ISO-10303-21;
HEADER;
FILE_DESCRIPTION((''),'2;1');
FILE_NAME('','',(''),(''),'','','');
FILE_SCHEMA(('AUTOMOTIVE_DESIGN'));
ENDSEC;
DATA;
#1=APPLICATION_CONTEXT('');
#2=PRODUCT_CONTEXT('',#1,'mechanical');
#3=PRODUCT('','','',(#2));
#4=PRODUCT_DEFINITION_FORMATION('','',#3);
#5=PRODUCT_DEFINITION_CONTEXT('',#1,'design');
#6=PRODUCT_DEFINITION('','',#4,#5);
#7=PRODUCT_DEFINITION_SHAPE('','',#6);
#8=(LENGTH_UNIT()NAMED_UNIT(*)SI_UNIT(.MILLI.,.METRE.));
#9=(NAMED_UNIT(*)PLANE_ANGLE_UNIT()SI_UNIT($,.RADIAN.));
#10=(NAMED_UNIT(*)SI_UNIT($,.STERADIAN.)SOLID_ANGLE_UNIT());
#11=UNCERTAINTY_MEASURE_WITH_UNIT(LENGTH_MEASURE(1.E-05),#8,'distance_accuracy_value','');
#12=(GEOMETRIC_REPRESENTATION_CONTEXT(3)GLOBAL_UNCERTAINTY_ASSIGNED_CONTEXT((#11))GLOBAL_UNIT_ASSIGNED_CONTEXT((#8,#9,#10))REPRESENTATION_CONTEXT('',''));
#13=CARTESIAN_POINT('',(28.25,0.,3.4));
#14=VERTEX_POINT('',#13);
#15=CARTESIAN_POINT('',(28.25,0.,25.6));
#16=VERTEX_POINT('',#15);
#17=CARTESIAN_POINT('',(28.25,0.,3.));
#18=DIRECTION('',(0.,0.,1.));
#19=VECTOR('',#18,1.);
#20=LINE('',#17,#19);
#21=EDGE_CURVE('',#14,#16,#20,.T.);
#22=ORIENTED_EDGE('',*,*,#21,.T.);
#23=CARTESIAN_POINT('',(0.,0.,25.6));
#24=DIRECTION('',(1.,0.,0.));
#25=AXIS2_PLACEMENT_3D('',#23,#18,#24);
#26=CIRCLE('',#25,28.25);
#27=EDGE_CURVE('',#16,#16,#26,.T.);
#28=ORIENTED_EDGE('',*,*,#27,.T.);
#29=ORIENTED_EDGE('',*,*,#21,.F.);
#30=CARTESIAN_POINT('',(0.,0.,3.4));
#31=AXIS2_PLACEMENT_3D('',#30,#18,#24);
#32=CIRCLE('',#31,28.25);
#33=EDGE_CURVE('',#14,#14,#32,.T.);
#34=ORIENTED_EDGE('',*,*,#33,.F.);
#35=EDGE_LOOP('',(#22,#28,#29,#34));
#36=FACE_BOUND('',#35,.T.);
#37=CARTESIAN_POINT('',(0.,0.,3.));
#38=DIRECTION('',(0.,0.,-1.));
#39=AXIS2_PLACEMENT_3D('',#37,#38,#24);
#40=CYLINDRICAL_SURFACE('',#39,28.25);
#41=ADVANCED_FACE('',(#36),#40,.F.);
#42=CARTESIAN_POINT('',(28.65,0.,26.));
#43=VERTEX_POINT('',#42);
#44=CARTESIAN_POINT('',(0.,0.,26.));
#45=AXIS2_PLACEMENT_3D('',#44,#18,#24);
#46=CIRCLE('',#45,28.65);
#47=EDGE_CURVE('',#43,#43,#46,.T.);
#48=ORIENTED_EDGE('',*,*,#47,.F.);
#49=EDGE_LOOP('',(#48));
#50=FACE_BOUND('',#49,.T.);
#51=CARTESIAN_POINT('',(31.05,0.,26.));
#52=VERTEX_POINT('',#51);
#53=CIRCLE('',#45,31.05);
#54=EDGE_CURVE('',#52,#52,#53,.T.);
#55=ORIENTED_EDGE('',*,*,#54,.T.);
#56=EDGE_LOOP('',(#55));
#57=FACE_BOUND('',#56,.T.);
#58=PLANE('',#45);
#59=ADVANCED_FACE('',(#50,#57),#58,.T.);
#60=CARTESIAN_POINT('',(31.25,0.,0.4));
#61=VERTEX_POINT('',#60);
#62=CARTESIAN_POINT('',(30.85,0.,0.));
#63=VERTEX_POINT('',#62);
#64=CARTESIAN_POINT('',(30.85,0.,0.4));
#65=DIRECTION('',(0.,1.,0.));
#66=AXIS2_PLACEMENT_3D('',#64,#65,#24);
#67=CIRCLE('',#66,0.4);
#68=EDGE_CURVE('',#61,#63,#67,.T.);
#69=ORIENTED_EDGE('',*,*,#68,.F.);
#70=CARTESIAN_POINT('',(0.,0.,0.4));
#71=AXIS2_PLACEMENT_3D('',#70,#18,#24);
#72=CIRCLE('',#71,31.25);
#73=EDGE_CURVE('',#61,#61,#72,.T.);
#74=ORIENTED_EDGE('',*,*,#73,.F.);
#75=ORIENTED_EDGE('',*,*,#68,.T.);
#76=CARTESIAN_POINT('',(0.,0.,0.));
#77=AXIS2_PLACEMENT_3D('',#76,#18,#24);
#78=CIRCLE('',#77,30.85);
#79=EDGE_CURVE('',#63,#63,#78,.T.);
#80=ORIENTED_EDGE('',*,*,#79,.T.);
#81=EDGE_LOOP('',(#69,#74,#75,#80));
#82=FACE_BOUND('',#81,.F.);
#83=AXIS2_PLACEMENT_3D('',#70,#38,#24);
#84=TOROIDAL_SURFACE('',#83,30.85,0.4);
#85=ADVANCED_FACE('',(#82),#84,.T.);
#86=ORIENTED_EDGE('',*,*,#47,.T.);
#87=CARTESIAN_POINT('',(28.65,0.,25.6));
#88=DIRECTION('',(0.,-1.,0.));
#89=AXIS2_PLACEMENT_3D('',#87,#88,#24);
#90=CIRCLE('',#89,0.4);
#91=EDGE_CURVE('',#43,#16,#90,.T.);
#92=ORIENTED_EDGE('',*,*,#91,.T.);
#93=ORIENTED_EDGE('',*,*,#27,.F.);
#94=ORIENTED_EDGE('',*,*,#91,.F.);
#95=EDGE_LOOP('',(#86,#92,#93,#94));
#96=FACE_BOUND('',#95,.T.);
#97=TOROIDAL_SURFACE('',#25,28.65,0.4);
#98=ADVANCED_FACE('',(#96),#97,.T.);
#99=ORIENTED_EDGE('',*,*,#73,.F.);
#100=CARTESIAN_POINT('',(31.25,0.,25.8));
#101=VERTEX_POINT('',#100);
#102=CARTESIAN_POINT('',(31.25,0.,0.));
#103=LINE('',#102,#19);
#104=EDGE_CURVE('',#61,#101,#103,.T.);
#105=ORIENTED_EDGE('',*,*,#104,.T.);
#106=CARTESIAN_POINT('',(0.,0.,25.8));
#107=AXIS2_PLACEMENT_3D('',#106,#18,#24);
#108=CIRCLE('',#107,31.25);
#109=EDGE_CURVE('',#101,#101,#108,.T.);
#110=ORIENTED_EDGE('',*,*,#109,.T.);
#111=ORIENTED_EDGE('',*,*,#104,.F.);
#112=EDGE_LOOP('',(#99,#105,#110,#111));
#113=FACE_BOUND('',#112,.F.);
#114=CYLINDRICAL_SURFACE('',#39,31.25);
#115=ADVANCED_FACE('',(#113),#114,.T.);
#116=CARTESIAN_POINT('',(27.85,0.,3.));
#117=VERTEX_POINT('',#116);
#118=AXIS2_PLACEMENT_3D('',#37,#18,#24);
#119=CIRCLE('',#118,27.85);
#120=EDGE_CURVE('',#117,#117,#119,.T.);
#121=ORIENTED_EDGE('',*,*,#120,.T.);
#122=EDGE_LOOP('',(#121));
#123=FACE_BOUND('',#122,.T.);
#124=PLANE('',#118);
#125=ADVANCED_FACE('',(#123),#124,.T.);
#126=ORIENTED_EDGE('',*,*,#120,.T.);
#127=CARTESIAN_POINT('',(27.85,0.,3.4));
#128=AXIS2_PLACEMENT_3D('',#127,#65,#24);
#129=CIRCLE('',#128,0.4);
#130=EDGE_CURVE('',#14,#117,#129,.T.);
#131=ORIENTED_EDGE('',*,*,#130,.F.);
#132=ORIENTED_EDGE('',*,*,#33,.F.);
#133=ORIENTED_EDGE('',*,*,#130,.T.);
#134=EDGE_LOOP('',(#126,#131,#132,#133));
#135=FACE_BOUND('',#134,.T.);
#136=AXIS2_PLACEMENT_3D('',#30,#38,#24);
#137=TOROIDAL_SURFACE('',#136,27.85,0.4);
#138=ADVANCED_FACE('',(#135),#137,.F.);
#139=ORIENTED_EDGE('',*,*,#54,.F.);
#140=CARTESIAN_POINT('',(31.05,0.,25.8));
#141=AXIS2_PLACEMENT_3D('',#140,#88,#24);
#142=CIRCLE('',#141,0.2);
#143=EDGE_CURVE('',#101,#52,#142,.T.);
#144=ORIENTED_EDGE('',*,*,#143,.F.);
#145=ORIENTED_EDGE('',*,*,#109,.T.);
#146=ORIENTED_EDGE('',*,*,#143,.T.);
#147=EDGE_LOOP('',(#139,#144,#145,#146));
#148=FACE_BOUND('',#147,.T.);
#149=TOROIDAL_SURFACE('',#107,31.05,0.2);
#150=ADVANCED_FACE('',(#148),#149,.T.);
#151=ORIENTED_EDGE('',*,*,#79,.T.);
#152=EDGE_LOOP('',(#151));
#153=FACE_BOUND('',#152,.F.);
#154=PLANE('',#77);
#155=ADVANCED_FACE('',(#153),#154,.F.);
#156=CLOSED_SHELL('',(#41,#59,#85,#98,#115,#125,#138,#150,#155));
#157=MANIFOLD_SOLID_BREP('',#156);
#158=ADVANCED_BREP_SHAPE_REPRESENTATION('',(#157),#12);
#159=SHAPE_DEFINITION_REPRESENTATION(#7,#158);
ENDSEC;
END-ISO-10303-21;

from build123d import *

# Parameters (mm, degrees)
F0_R     = 31.25
F1_DEPTH = 3
F2_R     = 31.25
F2_R_2   = 28.25
F3_DEPTH = 23
F4_R     = 0.4
F5_R     = 0.2


with BuildPart() as f1:
    # F0 (on Top) → F1 (new body)
    with BuildSketch(Plane.XY):
        Circle(F0_R)
    extrude(amount=F1_DEPTH)

    # F2 (on face) → F3 (join)
    with BuildSketch(Plane.XY.offset(3)):
        Circle(F2_R)
        Circle(F2_R_2, mode=Mode.SUBTRACT)
    extrude(amount=F3_DEPTH)

    # F4
    f4_edges = [f1.edges().sort_by_distance(p)[0] for p in [
        (-28.25, 0, 26),
        (-28.25, 0, 3),
        (-31.25, 0, 0),
    ]]
    fillet(f4_edges, radius=F4_R)

    # F5
    f5_edges = [f1.edges().sort_by_distance(p)[0] for p in [
        (-31.25, 0, 26),
    ]]
    fillet(f5_edges, radius=F5_R)


solid = f1.part
